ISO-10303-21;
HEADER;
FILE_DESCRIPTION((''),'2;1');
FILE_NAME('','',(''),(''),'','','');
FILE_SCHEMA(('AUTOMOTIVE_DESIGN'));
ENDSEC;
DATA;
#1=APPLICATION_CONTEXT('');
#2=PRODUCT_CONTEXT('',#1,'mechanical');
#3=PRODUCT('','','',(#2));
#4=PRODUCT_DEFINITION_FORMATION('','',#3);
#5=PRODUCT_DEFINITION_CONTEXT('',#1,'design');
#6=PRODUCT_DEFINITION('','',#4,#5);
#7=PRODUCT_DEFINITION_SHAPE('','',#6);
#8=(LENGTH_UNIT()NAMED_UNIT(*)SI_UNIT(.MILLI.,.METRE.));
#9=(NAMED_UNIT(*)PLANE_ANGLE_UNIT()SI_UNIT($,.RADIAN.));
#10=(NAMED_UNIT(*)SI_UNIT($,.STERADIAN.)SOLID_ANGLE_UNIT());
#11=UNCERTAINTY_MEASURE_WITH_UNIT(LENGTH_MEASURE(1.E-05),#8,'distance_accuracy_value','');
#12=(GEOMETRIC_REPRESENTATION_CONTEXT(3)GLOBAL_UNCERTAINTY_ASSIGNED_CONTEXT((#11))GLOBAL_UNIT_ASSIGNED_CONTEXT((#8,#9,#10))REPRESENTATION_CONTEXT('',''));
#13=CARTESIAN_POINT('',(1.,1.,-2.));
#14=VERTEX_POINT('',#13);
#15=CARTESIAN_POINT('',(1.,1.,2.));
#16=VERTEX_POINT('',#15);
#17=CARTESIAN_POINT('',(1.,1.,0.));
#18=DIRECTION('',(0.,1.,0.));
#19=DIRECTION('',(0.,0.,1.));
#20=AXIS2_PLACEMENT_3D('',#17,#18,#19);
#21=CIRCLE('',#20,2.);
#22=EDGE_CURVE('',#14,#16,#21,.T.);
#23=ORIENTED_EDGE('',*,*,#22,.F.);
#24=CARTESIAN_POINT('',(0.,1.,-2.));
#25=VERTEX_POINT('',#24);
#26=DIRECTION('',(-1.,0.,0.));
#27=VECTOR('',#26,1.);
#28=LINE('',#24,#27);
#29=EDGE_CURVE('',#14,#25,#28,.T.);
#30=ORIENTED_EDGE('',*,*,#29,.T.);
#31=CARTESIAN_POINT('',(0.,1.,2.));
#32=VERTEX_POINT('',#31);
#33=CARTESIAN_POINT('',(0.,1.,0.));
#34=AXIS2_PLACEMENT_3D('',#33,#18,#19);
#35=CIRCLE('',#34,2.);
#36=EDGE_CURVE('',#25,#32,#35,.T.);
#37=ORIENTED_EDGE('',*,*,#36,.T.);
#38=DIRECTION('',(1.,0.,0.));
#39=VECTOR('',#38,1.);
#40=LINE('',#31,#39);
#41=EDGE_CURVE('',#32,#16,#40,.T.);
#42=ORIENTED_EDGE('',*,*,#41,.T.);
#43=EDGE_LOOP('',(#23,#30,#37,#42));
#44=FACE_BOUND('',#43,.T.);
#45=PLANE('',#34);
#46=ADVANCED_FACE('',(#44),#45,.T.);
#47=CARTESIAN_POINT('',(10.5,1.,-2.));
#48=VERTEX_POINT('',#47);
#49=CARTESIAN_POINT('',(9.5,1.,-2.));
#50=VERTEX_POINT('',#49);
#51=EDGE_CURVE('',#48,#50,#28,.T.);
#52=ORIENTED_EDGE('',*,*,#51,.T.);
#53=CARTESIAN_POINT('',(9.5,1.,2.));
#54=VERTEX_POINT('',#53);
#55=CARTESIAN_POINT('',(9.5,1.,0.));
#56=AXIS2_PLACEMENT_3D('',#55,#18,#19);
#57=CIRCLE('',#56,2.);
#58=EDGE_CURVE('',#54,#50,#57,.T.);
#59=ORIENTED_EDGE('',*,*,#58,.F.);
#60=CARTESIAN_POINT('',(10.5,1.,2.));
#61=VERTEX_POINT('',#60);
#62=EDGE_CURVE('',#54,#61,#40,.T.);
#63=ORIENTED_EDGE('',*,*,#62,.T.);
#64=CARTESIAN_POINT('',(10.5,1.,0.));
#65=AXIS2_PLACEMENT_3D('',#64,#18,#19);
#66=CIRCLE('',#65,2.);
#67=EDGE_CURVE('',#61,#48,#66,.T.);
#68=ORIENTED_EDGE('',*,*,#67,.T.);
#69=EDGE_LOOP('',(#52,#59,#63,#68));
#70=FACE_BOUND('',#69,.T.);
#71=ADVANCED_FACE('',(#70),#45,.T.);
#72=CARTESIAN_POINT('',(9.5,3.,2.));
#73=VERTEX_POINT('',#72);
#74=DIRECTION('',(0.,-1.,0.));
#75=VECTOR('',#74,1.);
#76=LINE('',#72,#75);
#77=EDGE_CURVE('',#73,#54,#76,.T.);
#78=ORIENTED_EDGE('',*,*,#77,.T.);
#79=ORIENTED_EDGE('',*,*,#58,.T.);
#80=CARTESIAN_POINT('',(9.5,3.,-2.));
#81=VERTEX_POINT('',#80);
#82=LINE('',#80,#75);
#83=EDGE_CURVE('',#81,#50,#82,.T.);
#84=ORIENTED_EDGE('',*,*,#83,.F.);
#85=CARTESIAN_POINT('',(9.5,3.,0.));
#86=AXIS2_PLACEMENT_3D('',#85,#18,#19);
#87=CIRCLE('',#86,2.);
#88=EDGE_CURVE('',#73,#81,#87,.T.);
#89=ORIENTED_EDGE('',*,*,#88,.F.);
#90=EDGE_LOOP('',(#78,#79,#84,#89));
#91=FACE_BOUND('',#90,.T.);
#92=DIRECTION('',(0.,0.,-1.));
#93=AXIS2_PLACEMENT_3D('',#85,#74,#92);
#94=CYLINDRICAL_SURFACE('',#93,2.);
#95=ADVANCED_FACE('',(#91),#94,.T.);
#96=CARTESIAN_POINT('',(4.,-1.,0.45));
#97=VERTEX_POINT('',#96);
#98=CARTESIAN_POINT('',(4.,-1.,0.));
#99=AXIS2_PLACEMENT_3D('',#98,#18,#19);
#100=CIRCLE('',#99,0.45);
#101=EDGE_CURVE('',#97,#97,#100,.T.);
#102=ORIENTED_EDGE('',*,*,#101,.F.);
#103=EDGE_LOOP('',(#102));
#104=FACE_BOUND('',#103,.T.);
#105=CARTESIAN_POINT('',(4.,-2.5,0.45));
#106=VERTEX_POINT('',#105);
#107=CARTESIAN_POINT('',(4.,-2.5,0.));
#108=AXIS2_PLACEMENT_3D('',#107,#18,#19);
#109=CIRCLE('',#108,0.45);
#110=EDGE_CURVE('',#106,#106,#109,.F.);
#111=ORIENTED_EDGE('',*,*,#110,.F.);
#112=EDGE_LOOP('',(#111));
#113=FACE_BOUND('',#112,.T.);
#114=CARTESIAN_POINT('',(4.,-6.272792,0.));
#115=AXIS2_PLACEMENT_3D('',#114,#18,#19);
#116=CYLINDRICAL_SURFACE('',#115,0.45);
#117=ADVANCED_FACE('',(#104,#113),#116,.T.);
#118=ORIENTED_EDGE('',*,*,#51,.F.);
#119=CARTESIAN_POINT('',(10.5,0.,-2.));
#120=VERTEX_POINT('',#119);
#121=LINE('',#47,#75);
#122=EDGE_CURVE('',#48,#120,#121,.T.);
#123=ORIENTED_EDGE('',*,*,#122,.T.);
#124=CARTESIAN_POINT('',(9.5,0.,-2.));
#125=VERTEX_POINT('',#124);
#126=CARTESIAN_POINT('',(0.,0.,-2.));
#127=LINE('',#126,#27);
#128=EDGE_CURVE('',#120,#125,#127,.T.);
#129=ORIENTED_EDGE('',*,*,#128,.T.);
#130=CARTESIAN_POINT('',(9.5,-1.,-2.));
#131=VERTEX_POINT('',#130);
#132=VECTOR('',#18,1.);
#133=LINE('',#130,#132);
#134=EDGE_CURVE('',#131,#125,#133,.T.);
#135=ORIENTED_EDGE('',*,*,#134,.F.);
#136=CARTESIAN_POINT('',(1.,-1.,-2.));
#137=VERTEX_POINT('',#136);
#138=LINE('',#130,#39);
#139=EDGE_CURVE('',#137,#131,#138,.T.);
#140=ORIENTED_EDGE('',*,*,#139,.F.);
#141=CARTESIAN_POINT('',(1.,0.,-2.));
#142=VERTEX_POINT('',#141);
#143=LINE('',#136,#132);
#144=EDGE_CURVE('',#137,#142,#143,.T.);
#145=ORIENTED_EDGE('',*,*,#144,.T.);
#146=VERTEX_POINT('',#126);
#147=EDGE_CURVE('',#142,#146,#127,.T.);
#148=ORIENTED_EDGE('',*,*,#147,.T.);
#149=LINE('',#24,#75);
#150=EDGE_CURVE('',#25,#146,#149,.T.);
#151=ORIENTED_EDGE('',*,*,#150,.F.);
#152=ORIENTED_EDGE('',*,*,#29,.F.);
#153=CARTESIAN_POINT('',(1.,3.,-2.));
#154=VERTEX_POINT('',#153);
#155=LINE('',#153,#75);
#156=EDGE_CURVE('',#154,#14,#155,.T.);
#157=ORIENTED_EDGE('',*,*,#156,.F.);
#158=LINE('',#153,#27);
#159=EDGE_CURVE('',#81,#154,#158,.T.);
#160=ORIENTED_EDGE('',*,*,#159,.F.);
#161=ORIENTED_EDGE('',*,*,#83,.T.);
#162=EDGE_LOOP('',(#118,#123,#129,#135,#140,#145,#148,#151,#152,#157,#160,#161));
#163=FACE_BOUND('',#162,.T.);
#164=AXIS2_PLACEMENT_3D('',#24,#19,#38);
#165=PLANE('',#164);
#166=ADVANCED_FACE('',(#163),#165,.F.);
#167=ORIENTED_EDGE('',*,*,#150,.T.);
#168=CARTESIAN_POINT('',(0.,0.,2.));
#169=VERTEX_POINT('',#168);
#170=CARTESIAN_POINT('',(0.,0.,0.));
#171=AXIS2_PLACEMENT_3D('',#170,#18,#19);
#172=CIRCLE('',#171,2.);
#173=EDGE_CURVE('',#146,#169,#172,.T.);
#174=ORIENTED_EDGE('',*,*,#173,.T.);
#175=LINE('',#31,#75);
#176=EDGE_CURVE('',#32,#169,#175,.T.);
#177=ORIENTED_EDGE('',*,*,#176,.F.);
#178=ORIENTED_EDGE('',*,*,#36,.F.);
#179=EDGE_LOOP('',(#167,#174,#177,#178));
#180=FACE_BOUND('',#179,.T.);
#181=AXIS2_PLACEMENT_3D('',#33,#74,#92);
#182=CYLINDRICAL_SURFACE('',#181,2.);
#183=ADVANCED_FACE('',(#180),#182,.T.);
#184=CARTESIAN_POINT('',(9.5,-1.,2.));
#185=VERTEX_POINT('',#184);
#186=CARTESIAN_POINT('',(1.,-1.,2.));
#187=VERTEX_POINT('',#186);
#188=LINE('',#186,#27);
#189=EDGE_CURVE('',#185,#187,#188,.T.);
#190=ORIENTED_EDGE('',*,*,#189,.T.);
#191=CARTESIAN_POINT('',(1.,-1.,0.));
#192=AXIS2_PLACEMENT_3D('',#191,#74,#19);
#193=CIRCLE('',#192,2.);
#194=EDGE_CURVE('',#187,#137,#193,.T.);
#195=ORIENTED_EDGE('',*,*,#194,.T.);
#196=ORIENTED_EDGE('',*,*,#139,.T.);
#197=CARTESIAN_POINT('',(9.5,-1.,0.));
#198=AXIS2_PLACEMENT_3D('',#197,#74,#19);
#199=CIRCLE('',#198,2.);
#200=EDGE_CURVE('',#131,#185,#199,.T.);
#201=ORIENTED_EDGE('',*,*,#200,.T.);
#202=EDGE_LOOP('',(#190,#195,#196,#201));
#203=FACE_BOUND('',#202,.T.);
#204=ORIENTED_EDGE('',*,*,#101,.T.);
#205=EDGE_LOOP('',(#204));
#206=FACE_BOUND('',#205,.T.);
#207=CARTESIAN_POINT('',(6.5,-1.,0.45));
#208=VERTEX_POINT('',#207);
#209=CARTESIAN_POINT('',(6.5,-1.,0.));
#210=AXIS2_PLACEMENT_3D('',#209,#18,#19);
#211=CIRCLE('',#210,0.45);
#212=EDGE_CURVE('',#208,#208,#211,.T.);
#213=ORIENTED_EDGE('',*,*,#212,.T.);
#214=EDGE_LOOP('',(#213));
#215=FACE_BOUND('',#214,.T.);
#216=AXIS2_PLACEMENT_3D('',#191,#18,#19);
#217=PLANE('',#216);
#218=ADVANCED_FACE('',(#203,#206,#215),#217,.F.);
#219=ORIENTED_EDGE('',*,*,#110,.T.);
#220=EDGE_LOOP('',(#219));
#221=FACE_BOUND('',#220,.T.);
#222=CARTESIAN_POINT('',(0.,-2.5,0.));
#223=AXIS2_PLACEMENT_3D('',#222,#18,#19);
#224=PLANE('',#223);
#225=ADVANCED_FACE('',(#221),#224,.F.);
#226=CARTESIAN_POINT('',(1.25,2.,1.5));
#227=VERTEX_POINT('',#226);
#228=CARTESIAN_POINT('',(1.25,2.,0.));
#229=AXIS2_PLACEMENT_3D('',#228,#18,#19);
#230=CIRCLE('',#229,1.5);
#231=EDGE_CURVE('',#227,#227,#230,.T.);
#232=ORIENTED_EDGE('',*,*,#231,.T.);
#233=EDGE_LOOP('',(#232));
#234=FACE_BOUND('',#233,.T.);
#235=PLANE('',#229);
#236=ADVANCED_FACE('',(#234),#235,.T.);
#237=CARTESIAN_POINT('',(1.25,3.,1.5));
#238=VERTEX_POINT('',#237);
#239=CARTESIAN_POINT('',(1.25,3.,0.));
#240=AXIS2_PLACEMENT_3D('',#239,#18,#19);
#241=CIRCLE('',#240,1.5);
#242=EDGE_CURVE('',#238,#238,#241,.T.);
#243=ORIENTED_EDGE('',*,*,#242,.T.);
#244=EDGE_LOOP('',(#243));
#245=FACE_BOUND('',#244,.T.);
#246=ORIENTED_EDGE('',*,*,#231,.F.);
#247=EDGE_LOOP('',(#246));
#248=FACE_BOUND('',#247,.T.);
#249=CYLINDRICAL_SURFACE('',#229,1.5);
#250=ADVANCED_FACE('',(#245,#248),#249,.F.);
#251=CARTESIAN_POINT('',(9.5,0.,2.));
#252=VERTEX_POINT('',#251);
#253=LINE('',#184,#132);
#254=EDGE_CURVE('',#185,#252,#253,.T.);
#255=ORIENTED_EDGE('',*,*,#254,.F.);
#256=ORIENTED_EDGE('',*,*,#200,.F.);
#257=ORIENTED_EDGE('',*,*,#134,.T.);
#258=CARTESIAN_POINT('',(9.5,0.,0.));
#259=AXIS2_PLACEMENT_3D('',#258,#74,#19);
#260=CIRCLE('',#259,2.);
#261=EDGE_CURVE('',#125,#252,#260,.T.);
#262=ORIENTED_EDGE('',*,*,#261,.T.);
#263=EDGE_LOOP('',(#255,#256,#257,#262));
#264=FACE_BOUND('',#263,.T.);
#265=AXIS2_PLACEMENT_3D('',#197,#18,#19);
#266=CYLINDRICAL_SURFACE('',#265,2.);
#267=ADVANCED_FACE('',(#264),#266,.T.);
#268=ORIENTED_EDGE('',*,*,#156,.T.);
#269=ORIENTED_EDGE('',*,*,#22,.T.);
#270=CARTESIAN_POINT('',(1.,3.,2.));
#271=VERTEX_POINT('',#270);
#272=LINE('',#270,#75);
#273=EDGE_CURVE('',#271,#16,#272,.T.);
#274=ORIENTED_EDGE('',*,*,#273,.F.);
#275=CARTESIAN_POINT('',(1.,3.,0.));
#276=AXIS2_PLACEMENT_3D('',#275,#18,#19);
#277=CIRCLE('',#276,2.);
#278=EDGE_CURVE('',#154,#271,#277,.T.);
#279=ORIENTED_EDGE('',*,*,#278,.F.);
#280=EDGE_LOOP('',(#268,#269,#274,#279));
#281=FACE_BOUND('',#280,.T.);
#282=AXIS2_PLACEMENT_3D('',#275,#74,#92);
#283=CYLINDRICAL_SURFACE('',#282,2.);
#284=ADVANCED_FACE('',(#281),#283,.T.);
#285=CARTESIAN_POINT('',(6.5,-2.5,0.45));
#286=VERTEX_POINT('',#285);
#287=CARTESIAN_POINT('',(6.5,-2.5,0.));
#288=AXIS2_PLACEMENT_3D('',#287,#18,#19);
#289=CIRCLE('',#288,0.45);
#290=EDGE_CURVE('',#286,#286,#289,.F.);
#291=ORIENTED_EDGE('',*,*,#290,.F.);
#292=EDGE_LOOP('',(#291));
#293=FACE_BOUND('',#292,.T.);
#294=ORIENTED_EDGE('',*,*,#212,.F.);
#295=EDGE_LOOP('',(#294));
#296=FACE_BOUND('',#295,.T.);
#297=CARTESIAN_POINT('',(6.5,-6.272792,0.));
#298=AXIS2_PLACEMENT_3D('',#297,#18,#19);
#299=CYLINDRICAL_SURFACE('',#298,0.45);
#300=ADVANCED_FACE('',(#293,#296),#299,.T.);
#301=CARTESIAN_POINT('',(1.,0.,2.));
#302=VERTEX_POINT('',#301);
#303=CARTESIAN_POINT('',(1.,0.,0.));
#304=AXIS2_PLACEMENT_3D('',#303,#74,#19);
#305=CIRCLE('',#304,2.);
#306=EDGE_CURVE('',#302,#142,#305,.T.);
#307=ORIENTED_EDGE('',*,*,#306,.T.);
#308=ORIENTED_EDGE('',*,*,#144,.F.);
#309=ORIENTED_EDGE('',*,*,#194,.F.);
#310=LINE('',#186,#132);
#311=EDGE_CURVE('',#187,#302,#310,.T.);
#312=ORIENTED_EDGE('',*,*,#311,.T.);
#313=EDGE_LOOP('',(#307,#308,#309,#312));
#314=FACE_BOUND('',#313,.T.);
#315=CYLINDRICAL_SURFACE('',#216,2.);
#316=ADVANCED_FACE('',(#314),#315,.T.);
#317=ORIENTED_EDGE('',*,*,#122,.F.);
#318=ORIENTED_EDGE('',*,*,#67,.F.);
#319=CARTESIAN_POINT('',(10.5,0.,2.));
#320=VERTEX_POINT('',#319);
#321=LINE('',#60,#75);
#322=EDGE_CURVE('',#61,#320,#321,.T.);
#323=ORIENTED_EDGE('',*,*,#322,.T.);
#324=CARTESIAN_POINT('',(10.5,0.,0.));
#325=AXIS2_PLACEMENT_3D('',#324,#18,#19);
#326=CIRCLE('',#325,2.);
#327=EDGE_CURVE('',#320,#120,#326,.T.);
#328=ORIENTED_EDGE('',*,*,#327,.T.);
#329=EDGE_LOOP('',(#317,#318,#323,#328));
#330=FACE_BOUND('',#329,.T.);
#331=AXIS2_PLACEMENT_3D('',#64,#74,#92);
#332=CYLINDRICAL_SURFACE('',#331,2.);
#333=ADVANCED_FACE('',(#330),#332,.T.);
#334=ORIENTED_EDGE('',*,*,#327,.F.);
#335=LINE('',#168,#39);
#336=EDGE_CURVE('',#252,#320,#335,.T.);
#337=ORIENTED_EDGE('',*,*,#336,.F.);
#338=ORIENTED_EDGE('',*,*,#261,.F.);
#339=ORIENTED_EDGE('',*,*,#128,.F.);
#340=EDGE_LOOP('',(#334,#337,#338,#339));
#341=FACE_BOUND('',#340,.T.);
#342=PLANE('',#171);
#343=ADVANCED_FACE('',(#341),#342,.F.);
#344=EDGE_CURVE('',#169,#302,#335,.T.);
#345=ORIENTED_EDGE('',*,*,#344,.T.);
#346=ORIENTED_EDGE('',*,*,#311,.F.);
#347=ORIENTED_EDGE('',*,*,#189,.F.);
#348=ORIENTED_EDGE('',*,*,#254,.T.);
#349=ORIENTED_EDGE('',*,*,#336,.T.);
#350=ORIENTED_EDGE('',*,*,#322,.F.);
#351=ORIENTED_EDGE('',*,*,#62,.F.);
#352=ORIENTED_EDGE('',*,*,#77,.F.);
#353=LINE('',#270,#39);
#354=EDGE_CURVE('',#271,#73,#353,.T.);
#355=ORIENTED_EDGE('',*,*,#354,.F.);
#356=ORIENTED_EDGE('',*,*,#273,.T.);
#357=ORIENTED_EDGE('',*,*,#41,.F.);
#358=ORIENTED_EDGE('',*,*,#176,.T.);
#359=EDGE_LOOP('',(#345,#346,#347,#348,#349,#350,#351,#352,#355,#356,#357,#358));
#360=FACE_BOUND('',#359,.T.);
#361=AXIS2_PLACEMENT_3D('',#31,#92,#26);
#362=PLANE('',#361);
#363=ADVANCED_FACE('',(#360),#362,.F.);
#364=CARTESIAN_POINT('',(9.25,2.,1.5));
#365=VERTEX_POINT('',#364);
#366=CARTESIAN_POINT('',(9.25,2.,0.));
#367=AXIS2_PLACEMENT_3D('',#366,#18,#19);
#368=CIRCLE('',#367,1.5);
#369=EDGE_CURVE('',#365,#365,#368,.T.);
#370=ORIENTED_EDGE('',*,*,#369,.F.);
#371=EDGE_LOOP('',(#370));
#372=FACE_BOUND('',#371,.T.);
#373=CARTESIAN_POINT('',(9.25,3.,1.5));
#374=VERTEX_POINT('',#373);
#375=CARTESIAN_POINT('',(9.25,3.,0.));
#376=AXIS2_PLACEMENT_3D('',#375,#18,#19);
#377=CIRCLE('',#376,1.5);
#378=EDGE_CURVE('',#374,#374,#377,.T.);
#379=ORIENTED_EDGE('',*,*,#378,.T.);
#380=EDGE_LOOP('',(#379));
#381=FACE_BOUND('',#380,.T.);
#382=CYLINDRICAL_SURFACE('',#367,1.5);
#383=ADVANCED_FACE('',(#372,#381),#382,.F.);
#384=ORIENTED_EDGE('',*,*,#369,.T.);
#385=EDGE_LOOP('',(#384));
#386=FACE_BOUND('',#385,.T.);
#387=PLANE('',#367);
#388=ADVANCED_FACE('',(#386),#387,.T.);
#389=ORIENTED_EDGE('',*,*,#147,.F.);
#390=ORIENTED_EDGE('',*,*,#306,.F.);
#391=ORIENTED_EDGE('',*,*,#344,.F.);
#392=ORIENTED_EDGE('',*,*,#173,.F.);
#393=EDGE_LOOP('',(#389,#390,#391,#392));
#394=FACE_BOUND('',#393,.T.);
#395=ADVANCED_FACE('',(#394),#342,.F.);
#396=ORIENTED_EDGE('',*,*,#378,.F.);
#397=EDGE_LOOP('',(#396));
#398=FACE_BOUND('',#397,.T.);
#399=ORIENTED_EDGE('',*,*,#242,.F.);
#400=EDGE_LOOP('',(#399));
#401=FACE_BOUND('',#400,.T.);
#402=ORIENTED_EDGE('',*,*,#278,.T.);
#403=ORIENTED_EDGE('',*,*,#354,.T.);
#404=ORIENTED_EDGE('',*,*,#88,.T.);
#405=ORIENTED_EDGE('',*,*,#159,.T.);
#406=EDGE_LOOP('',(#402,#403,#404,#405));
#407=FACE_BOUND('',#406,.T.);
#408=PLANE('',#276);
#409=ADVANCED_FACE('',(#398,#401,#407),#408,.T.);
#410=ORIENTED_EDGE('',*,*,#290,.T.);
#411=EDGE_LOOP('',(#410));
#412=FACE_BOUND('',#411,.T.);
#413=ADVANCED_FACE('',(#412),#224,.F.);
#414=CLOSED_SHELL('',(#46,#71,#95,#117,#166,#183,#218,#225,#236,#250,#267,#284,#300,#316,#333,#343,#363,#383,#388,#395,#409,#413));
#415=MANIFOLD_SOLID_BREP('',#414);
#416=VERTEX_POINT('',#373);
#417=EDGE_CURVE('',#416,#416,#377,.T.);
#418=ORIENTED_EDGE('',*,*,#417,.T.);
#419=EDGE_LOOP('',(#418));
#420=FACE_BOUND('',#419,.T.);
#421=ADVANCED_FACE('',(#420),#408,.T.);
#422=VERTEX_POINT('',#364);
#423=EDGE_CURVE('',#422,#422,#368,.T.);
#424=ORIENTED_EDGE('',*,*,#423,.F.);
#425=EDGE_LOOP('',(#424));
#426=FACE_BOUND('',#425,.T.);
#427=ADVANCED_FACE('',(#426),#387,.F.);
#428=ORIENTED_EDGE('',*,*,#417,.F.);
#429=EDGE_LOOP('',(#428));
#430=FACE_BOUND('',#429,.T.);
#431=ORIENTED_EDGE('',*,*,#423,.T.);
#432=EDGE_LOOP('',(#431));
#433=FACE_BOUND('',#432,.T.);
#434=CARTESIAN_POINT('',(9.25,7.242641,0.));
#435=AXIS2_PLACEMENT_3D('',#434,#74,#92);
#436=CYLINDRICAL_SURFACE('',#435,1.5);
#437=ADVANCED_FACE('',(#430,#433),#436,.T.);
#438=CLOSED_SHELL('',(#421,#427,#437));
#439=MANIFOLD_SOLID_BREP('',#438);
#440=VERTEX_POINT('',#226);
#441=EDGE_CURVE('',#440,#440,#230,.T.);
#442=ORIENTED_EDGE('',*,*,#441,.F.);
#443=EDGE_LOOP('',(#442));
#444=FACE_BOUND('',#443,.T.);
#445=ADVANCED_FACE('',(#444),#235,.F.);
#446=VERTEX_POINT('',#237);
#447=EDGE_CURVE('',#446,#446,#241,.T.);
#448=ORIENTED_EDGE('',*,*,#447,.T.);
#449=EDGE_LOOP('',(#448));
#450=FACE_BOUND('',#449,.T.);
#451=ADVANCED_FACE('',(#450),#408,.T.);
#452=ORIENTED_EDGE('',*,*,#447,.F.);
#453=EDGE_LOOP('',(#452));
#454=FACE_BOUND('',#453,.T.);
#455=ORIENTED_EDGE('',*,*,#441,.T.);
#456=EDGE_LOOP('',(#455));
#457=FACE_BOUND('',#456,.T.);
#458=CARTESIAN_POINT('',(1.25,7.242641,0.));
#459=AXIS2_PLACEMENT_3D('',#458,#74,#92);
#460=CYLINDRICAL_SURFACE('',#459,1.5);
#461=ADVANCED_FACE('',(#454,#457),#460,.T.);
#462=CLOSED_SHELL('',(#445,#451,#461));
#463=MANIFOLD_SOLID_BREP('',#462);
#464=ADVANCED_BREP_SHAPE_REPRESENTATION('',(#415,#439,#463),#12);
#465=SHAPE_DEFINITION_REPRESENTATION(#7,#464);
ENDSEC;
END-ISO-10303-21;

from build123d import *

# Parameters (mm, degrees)
BOSS_EXTRUDE2_DEPTH         = 1
BOSS_EXTRUDE3_DEPTH         = 2
SKETCH7_R                   = 1.5
SKETCH7_R_2                 = 0.45
CUT_EXTRUDE1_DEPTH          = 1
SKETCH8_R                   = 1.5
BOSS_EXTRUDE4_DEPTH         = 1
BOSS_EXTRUDE4_2_DEPTH       = 1
BOSS_EXTRUDE12_DEPTH        = 1
BOSS_EXTRUDE12_DEPTH_BACK   = 4.5
SKETCH9_R                   = 0.45
BOSS_EXTRUDE12_2_DEPTH      = 1
BOSS_EXTRUDE12_2_DEPTH_BACK = 4.5
BOSS_EXTRUDE13_START        = 1
BOSS_EXTRUDE13_DEPTH        = 1


with BuildPart() as part:
    # Sketch4 → Boss-Extrude2 (new body)
    with BuildSketch(Plane(origin=(0, 0, 0), x_dir=(1, 0, 0), z_dir=(0, 1, 0))):
        with BuildLine():
            Line((0, 2), (10.5, 2))
            ThreePointArc((10.5, 2), (12.5, 0), (10.5, -2))
            Line((10.5, -2), (0, -2))
            ThreePointArc((0, -2), (-2, 0), (0, 2))
        make_face()
    extrude(amount=BOSS_EXTRUDE2_DEPTH)

    # Sketch5 → Boss-Extrude3 (add)
    with BuildSketch(Plane(origin=(0, 1, 0), x_dir=(1, 0, 0), z_dir=(0, 1, 0))):
        with BuildLine():
            Line((1, 2), (9.5, 2))
            ThreePointArc((9.5, 2), (11.5, 0), (9.5, -2))
            Line((9.5, -2), (1, -2))
            ThreePointArc((1, -2), (-1, 0), (1, 2))
        make_face()
    extrude(amount=BOSS_EXTRUDE3_DEPTH)

    # Sketch7 → Cut-Extrude1 (cut)
    with BuildSketch(Plane(origin=(0, 3, 0), x_dir=(1, 0, 0), z_dir=(0, 1, 0))):
        with Locations(Location((1.25, 0, 0), (0, 0, 270))):
            Circle(SKETCH7_R)
        with Locations(Location((9.25, 0, 0), (0, 0, 270))):
            Circle(SKETCH7_R)
        with Locations(Location((4, 0, 0), (0, 0, 270))):
            Circle(SKETCH7_R_2)
        with Locations(Location((6.5, 0, 0), (0, 0, 270))):
            Circle(SKETCH7_R_2)
    extrude(amount=-CUT_EXTRUDE1_DEPTH, mode=Mode.SUBTRACT)



with BuildPart() as body_2:
    # Sketch8 → Boss-Extrude4 (new body)
    with BuildSketch(Plane(origin=(0, 2, 0), x_dir=(1, 0, 0), z_dir=(0, 1, 0))):
        with Locations(Location((1.25, 0, 0), (0, 0, 270))):
            Circle(SKETCH8_R)
    extrude(amount=BOSS_EXTRUDE4_DEPTH)


with BuildPart() as body_3:
    # Sketch8 → Boss-Extrude4 2 (new body)
    with BuildSketch(Plane(origin=(0, 2, 0), x_dir=(1, 0, 0), z_dir=(0, 1, 0))):
        with Locations(Location((9.25, 0, 0), (0, 0, 270))):
            Circle(SKETCH8_R)
    extrude(amount=BOSS_EXTRUDE4_2_DEPTH)


with BuildPart() as body_4:
    # Sketch9 → Boss-Extrude12 (new, two sides: drawn at the far end of the back side and taken through both)
    with BuildSketch(Plane(origin=(0, 2, 0), x_dir=(1, 0, 0), z_dir=(0, 1, 0)).offset(-BOSS_EXTRUDE12_DEPTH_BACK)):
        with Locations(Location((4, 0, 0), (0, 0, 270))):
            Circle(SKETCH9_R)
    extrude(amount=BOSS_EXTRUDE12_DEPTH + BOSS_EXTRUDE12_DEPTH_BACK)


with BuildPart() as body_5:
    # Sketch9 → Boss-Extrude12 2 (new, two sides: drawn at the far end of the back side and taken through both)
    with BuildSketch(Plane(origin=(0, 2, 0), x_dir=(1, 0, 0), z_dir=(0, 1, 0)).offset(-BOSS_EXTRUDE12_2_DEPTH_BACK)):
        with Locations(Location((6.5, 0, 0), (0, 0, 270))):
            Circle(SKETCH9_R)
    extrude(amount=BOSS_EXTRUDE12_2_DEPTH + BOSS_EXTRUDE12_2_DEPTH_BACK)


with BuildPart() as part_1:
    add(part.part)

    add(body_4.part)  # Boss-Extrude13 merges body 4

    add(body_5.part)  # Boss-Extrude13 merges body 5
    # Sketch11 → Boss-Extrude13 (add)
    with BuildSketch(Plane.XZ.offset(BOSS_EXTRUDE13_START)):
        with BuildLine():
            Line((1, 2), (9.5, 2))
            ThreePointArc((9.5, 2), (11.5, 0), (9.5, -2))
            Line((9.5, -2), (1, -2))
            ThreePointArc((1, -2), (-1, 0), (1, 2))
        make_face()
    extrude(amount=-BOSS_EXTRUDE13_DEPTH)


solid = Compound([body_2.part, body_3.part, part_1.part])
